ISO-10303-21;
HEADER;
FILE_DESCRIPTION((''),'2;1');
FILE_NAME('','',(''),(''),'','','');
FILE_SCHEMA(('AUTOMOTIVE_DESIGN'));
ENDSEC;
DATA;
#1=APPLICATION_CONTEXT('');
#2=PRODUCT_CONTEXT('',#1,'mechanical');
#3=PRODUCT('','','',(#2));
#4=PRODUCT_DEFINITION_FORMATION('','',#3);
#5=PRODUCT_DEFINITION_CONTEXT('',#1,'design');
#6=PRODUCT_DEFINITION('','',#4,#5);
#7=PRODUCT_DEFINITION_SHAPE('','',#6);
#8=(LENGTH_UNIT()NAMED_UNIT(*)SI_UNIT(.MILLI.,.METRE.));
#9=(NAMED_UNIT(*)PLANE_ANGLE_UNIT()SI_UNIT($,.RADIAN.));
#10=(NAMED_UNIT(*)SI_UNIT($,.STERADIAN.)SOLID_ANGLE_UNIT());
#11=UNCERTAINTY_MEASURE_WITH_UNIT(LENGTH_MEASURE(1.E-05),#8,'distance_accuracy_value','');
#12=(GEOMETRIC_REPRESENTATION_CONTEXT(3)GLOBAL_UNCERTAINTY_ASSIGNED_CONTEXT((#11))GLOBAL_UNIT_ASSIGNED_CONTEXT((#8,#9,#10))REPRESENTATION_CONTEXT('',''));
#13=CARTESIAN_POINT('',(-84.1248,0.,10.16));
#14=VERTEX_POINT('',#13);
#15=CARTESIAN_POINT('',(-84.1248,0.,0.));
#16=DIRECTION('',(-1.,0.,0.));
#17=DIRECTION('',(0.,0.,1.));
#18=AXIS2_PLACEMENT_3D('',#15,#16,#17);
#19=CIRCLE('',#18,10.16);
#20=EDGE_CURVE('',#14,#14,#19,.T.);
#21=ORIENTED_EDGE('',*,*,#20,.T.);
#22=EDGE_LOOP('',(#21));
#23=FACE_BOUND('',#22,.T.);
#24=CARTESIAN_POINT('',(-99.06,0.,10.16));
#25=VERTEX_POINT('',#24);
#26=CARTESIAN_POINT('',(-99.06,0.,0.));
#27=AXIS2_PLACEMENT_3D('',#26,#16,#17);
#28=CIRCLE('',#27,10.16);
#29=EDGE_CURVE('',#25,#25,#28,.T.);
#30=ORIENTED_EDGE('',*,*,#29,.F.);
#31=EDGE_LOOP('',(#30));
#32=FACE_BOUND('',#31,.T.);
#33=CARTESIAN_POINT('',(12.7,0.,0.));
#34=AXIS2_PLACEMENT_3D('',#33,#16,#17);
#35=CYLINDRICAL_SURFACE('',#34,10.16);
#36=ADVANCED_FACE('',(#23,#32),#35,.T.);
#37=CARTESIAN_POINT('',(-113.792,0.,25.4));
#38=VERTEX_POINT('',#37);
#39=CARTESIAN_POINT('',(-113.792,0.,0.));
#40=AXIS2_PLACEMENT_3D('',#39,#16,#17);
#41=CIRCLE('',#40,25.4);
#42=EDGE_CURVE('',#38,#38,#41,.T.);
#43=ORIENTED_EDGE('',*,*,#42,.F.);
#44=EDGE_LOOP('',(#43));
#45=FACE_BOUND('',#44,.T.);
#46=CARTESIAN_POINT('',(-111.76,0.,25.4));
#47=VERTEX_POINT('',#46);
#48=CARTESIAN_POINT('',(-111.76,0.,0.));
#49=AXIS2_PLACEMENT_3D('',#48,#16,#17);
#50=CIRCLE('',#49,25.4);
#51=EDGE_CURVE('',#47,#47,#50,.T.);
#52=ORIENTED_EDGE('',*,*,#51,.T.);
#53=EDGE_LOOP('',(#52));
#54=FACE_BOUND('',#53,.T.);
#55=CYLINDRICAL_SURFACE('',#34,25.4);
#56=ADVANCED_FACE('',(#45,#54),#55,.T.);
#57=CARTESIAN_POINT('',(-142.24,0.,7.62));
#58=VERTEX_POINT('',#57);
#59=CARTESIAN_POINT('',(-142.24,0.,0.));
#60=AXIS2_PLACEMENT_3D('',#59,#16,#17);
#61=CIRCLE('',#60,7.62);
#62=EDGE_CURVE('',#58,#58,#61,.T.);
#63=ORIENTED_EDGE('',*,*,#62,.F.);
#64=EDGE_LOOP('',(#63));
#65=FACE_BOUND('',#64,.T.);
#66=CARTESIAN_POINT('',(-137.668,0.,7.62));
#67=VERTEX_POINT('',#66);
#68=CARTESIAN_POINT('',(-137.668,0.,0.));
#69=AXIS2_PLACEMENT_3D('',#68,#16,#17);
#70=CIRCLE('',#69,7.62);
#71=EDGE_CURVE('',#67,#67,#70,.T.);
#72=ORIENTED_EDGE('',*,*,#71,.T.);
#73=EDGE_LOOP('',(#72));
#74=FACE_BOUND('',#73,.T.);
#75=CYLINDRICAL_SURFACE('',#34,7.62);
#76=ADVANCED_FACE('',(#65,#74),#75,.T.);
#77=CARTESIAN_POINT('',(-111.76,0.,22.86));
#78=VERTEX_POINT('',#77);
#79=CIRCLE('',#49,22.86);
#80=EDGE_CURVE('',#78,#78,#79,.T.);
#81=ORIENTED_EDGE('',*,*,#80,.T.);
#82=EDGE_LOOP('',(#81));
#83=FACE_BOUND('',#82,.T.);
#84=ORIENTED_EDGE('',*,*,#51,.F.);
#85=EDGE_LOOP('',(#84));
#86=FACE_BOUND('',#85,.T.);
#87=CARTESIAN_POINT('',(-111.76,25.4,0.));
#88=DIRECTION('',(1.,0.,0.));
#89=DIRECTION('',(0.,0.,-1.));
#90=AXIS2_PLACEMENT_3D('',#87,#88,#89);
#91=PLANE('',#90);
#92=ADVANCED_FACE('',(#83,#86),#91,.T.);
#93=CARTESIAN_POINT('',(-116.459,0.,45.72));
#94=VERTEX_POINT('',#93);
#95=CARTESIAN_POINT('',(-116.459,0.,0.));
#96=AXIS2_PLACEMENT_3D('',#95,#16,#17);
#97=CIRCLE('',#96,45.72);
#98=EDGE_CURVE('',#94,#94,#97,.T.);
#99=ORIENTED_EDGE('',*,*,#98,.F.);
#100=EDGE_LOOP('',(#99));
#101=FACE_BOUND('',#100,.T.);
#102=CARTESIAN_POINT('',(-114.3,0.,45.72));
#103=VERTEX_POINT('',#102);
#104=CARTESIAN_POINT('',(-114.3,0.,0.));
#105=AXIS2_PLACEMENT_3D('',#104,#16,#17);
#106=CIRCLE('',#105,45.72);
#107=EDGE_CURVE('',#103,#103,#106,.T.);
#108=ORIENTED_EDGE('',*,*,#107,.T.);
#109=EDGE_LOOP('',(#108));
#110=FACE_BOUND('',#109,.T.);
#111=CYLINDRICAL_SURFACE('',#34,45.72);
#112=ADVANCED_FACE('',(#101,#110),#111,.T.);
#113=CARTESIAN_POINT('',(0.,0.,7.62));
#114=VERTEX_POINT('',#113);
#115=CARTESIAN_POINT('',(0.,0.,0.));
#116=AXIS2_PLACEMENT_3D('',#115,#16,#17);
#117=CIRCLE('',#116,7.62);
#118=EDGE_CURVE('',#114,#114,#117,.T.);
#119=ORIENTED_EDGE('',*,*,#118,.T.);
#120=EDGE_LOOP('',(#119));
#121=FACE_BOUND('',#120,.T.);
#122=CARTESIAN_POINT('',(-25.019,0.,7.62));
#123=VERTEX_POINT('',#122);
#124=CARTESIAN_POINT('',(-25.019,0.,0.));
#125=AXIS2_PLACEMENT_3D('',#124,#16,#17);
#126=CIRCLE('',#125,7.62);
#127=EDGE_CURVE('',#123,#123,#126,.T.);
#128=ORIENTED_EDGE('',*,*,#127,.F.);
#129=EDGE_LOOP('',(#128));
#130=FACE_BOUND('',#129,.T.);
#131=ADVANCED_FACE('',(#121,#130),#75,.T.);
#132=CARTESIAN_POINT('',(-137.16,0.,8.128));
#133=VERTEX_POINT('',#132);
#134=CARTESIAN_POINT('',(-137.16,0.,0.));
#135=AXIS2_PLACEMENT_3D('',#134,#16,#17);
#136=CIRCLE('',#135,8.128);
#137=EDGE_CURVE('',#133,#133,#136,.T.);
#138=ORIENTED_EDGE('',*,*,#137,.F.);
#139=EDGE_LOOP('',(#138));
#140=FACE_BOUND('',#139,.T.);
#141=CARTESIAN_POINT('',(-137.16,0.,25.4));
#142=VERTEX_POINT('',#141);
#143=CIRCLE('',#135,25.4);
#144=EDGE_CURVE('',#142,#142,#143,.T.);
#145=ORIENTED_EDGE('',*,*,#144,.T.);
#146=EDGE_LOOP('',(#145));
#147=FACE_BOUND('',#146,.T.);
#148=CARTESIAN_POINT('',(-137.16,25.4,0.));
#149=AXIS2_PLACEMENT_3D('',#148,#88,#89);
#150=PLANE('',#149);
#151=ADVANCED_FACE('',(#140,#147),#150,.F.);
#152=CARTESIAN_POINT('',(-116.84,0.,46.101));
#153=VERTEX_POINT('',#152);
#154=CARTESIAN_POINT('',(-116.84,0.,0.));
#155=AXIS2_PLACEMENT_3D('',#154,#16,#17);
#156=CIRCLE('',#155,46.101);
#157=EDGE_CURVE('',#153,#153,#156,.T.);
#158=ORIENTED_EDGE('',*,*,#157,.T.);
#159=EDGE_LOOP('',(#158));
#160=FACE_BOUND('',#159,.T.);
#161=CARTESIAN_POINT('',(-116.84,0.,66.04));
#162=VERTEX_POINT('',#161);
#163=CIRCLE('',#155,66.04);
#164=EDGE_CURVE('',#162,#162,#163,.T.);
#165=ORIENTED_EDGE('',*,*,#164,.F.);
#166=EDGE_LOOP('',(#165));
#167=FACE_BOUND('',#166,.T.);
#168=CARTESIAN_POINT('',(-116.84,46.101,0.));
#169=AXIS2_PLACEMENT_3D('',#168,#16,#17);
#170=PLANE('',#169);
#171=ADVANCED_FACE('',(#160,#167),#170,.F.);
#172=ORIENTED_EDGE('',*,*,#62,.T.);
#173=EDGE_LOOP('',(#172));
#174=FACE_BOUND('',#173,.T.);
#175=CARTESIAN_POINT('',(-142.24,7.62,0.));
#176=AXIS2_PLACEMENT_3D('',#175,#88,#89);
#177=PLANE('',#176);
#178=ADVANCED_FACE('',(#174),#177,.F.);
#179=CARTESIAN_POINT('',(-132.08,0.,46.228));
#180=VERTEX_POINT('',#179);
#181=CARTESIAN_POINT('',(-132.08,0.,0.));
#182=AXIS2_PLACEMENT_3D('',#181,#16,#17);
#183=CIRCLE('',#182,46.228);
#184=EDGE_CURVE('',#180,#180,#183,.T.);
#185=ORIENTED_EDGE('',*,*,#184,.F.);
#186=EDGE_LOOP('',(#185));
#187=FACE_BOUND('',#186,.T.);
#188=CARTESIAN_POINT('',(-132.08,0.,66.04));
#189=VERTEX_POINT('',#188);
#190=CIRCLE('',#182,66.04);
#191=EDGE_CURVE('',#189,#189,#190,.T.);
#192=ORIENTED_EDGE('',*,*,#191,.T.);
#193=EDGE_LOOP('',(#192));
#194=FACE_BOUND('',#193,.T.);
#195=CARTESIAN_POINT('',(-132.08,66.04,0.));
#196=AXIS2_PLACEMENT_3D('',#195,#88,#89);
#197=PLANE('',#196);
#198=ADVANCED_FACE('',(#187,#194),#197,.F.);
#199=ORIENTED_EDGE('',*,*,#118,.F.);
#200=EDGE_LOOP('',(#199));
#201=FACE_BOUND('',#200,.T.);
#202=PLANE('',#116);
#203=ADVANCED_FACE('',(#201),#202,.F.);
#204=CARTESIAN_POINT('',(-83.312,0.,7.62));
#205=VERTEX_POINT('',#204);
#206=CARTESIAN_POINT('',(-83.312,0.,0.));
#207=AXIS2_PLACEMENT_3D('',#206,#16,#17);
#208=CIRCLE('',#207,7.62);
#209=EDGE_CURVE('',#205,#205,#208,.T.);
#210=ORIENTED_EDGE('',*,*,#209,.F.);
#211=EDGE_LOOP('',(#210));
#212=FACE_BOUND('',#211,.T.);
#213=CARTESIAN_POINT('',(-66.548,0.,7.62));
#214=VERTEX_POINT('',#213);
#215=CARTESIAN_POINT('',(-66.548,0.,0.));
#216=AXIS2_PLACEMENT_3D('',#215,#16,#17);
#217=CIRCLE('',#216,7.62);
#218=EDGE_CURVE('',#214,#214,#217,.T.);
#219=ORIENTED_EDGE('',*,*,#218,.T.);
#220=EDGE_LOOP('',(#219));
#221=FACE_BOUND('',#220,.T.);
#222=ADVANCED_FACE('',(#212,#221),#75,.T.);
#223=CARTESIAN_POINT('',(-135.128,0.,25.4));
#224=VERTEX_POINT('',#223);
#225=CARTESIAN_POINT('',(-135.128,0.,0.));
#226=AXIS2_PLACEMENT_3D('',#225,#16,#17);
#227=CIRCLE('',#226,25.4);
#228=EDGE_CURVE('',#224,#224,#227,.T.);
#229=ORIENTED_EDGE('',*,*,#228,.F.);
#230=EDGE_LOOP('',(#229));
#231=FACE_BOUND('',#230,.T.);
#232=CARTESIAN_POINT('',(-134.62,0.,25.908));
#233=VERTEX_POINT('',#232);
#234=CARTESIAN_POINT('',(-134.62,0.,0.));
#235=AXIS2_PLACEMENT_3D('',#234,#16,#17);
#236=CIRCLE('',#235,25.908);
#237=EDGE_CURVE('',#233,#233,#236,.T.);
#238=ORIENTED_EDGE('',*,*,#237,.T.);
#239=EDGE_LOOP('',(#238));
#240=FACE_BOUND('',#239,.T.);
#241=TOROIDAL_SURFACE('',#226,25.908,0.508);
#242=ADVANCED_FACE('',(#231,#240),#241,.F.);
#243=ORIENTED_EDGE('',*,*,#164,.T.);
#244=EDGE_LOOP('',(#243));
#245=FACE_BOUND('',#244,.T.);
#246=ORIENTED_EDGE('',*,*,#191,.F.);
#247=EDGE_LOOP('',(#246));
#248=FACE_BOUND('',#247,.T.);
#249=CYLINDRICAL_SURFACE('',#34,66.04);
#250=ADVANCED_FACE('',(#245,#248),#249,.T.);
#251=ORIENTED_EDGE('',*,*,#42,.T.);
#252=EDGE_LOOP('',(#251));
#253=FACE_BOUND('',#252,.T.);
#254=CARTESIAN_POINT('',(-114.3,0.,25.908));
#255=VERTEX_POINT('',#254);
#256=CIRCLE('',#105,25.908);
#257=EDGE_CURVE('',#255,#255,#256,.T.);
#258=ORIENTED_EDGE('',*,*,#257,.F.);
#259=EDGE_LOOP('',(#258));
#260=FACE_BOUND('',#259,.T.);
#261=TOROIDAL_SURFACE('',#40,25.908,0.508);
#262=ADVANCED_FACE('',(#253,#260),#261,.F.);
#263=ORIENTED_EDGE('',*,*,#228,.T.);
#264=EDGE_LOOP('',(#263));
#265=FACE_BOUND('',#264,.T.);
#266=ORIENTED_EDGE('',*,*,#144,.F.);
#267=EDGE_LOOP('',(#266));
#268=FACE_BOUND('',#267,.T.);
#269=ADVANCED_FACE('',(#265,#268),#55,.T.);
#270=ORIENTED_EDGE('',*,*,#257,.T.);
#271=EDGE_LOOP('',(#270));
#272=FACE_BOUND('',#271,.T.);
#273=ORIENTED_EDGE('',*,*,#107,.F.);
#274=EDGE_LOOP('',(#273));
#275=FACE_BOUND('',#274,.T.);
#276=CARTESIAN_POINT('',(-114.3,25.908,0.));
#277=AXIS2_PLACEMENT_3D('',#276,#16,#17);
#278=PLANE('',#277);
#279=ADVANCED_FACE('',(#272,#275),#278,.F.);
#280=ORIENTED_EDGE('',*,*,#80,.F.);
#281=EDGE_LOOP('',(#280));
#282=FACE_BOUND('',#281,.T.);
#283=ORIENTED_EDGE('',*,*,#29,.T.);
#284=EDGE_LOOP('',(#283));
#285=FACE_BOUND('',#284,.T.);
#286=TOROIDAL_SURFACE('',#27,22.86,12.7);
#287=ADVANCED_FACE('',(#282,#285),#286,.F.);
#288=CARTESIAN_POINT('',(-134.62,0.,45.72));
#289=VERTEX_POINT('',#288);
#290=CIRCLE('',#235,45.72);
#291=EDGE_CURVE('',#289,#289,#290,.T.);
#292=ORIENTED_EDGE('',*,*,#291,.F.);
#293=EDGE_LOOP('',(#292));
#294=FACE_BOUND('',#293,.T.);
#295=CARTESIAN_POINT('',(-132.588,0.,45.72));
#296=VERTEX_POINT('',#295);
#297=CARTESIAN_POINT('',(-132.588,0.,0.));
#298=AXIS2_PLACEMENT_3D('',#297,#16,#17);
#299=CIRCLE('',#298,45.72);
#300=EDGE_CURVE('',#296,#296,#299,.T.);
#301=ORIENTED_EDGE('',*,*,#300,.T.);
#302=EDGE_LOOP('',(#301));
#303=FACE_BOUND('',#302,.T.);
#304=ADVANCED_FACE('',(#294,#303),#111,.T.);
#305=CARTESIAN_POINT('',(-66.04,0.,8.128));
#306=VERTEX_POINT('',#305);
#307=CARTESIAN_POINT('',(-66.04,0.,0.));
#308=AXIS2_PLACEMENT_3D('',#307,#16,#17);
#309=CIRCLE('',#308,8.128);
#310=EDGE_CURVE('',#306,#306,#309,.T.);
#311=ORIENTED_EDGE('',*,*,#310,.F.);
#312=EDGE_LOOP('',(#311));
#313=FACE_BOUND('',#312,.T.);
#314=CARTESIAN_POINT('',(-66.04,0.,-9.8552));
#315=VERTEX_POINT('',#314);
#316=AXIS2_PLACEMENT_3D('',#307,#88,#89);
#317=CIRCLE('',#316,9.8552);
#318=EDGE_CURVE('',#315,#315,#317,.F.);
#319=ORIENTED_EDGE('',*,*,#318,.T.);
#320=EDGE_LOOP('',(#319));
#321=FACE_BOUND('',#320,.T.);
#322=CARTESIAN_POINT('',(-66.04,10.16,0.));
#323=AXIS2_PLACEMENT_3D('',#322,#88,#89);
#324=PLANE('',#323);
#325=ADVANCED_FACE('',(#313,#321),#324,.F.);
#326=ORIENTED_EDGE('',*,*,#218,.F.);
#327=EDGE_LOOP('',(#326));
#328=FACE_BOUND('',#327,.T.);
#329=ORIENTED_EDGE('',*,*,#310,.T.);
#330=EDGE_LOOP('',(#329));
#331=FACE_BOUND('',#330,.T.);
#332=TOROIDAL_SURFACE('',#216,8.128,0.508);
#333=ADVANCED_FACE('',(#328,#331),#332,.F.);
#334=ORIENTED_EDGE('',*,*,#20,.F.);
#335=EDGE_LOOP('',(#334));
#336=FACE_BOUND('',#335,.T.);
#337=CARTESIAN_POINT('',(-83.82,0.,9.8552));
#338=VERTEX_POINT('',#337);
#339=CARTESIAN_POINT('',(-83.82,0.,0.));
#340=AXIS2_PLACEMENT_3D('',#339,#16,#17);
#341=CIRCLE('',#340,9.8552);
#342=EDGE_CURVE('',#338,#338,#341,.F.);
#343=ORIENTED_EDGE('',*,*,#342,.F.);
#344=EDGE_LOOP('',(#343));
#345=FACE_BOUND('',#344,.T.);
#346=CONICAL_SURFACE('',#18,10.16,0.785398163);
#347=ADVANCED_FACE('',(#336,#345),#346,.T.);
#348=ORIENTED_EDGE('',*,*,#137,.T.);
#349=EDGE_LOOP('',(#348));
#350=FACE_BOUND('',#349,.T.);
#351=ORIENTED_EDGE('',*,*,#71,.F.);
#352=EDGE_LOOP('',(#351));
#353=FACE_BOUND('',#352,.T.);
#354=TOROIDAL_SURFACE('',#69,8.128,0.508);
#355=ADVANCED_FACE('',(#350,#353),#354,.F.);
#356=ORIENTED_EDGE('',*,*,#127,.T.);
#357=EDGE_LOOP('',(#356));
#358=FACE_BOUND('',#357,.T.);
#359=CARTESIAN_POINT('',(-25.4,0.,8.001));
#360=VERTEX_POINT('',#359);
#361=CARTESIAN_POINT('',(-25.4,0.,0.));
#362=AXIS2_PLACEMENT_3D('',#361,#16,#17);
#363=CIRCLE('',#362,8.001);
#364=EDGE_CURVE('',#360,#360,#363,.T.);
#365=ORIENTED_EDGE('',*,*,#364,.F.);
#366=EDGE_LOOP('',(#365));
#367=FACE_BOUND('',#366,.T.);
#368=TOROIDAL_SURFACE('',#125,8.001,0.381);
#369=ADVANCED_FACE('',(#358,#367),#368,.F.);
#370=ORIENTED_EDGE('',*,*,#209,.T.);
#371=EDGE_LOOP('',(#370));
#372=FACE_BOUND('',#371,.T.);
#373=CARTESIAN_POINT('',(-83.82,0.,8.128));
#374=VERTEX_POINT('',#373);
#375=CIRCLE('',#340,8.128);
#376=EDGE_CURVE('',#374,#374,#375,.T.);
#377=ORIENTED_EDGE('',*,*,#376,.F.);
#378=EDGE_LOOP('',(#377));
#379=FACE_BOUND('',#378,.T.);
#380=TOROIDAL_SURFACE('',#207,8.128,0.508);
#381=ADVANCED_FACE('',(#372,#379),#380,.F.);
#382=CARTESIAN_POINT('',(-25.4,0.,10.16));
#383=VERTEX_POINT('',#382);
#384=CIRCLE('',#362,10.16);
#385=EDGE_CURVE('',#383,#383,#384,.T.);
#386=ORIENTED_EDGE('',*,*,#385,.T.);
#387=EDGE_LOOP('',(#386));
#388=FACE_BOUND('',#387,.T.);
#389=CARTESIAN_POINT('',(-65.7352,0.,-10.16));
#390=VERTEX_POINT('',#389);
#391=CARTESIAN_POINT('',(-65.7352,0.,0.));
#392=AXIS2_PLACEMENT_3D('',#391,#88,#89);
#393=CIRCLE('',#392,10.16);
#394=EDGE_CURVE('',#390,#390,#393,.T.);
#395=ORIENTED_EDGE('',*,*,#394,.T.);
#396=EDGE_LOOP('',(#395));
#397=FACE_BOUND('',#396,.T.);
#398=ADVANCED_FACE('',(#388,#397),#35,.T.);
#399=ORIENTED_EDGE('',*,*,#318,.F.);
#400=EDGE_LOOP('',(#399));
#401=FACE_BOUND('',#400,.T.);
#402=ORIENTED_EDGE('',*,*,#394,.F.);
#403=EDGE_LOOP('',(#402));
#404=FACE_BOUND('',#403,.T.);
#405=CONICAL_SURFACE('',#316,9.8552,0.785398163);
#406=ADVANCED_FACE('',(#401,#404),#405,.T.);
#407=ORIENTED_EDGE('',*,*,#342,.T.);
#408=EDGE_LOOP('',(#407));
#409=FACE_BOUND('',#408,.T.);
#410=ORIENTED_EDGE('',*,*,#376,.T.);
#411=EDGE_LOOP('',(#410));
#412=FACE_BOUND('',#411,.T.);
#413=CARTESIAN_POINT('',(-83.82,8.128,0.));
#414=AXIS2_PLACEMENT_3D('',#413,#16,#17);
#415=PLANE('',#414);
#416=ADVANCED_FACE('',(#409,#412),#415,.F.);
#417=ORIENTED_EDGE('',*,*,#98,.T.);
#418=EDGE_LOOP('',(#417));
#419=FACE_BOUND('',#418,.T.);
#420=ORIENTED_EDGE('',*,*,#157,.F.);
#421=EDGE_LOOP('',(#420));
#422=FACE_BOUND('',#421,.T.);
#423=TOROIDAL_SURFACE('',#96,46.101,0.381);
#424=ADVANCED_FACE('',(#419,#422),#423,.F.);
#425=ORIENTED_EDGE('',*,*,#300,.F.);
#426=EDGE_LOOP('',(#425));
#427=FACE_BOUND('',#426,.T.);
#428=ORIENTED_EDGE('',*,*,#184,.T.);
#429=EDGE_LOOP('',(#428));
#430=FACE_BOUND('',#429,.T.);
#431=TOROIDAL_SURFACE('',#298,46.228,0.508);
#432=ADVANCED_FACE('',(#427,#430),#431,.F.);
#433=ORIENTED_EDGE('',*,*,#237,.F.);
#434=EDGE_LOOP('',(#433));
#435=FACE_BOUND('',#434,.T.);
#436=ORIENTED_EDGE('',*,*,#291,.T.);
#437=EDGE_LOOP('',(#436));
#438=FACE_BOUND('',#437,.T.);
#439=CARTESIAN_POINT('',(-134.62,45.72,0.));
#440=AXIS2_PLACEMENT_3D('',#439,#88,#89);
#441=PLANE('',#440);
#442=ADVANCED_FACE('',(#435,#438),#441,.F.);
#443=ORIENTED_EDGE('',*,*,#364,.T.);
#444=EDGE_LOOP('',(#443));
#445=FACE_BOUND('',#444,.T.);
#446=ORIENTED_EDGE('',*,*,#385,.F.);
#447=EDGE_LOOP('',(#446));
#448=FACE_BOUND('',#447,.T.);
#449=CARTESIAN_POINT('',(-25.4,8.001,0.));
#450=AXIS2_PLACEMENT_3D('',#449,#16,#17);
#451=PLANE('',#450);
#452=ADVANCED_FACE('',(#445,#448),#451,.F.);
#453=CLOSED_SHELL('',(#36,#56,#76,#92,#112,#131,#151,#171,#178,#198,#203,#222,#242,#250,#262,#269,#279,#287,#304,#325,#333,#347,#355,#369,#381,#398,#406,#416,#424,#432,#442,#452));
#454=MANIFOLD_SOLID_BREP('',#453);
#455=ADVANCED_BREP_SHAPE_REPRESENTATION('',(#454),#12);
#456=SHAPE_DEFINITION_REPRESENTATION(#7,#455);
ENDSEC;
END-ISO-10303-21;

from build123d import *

# Parameters (mm, degrees)
CHAMFER1_SIZE = 0.3048


with BuildPart() as part:
    # Sketch2 → Base-Revolve (revolve)
    with BuildSketch(Plane.XY, mode=Mode.PRIVATE) as base_revolve_sk:
        with BuildLine():
            Line((-25.019, 7.62), (0, 7.62))
            Line((0, 7.62), (0, 0))
            Line((0, 0), (-142.24, 0))
            Line((-142.24, 0), (-142.24, 7.62))
            Line((-142.24, 7.62), (-137.668, 7.62))
            ThreePointArc((-137.668, 7.62), (-137.308789755, 7.768789755), (-137.16, 8.128))
            Line((-137.16, 8.128), (-137.16, 25.4))
            Line((-137.16, 25.4), (-135.128, 25.4))
            ThreePointArc((-135.128, 25.4), (-134.768789755, 25.548789755), (-134.62, 25.908))
            Line((-134.62, 25.908), (-134.62, 45.72))
            Line((-134.62, 45.72), (-132.588, 45.72))
            ThreePointArc((-132.588, 45.72), (-132.228789755, 45.868789755), (-132.08, 46.228))
            Line((-132.08, 46.228), (-132.08, 66.04))
            Line((-132.08, 66.04), (-116.84, 66.04))
            Line((-116.84, 66.04), (-116.84, 46.101))
            ThreePointArc((-116.84, 46.101), (-116.728407684, 45.831592316), (-116.459, 45.72))
            Line((-116.459, 45.72), (-114.3, 45.72))
            Line((-114.3, 45.72), (-114.3, 25.908))
            ThreePointArc((-114.3, 25.908), (-114.151210245, 25.548789755), (-113.792, 25.4))
            Line((-113.792, 25.4), (-111.76, 25.4))
            Line((-111.76, 25.4), (-111.76, 22.86))
            ThreePointArc((-111.76, 22.86), (-108.040256121, 13.879743879), (-99.06, 10.16))
            Line((-99.06, 10.16), (-83.82, 10.16))
            Line((-83.82, 10.16), (-83.82, 8.128))
            ThreePointArc((-83.82, 8.128), (-83.671210245, 7.768789755), (-83.312, 7.62))
            Line((-83.312, 7.62), (-66.548, 7.62))
            ThreePointArc((-66.548, 7.62), (-66.188789755, 7.768789755), (-66.04, 8.128))
            Line((-66.04, 8.128), (-66.04, 10.16))
            Line((-66.04, 10.16), (-25.4, 10.16))
            Line((-25.4, 10.16), (-25.4, 8.001))
            ThreePointArc((-25.4, 8.001), (-25.288407684, 7.731592316), (-25.019, 7.62))
        make_face()
    revolve(base_revolve_sk.sketch.rotate(Axis((12.7, 0, 0), (1, 0, 0)), 90), axis=Axis((12.7, 0, 0), (1, 0, 0)))

    # Chamfer1
    chamfer1_edges = [part.edges().sort_by_distance(p)[0] for p in [
        (-83.82, 0, -10.16),
        (-66.04, 0, -10.16),
    ]]
    chamfer(chamfer1_edges, length=CHAMFER1_SIZE)


solid = part.part
